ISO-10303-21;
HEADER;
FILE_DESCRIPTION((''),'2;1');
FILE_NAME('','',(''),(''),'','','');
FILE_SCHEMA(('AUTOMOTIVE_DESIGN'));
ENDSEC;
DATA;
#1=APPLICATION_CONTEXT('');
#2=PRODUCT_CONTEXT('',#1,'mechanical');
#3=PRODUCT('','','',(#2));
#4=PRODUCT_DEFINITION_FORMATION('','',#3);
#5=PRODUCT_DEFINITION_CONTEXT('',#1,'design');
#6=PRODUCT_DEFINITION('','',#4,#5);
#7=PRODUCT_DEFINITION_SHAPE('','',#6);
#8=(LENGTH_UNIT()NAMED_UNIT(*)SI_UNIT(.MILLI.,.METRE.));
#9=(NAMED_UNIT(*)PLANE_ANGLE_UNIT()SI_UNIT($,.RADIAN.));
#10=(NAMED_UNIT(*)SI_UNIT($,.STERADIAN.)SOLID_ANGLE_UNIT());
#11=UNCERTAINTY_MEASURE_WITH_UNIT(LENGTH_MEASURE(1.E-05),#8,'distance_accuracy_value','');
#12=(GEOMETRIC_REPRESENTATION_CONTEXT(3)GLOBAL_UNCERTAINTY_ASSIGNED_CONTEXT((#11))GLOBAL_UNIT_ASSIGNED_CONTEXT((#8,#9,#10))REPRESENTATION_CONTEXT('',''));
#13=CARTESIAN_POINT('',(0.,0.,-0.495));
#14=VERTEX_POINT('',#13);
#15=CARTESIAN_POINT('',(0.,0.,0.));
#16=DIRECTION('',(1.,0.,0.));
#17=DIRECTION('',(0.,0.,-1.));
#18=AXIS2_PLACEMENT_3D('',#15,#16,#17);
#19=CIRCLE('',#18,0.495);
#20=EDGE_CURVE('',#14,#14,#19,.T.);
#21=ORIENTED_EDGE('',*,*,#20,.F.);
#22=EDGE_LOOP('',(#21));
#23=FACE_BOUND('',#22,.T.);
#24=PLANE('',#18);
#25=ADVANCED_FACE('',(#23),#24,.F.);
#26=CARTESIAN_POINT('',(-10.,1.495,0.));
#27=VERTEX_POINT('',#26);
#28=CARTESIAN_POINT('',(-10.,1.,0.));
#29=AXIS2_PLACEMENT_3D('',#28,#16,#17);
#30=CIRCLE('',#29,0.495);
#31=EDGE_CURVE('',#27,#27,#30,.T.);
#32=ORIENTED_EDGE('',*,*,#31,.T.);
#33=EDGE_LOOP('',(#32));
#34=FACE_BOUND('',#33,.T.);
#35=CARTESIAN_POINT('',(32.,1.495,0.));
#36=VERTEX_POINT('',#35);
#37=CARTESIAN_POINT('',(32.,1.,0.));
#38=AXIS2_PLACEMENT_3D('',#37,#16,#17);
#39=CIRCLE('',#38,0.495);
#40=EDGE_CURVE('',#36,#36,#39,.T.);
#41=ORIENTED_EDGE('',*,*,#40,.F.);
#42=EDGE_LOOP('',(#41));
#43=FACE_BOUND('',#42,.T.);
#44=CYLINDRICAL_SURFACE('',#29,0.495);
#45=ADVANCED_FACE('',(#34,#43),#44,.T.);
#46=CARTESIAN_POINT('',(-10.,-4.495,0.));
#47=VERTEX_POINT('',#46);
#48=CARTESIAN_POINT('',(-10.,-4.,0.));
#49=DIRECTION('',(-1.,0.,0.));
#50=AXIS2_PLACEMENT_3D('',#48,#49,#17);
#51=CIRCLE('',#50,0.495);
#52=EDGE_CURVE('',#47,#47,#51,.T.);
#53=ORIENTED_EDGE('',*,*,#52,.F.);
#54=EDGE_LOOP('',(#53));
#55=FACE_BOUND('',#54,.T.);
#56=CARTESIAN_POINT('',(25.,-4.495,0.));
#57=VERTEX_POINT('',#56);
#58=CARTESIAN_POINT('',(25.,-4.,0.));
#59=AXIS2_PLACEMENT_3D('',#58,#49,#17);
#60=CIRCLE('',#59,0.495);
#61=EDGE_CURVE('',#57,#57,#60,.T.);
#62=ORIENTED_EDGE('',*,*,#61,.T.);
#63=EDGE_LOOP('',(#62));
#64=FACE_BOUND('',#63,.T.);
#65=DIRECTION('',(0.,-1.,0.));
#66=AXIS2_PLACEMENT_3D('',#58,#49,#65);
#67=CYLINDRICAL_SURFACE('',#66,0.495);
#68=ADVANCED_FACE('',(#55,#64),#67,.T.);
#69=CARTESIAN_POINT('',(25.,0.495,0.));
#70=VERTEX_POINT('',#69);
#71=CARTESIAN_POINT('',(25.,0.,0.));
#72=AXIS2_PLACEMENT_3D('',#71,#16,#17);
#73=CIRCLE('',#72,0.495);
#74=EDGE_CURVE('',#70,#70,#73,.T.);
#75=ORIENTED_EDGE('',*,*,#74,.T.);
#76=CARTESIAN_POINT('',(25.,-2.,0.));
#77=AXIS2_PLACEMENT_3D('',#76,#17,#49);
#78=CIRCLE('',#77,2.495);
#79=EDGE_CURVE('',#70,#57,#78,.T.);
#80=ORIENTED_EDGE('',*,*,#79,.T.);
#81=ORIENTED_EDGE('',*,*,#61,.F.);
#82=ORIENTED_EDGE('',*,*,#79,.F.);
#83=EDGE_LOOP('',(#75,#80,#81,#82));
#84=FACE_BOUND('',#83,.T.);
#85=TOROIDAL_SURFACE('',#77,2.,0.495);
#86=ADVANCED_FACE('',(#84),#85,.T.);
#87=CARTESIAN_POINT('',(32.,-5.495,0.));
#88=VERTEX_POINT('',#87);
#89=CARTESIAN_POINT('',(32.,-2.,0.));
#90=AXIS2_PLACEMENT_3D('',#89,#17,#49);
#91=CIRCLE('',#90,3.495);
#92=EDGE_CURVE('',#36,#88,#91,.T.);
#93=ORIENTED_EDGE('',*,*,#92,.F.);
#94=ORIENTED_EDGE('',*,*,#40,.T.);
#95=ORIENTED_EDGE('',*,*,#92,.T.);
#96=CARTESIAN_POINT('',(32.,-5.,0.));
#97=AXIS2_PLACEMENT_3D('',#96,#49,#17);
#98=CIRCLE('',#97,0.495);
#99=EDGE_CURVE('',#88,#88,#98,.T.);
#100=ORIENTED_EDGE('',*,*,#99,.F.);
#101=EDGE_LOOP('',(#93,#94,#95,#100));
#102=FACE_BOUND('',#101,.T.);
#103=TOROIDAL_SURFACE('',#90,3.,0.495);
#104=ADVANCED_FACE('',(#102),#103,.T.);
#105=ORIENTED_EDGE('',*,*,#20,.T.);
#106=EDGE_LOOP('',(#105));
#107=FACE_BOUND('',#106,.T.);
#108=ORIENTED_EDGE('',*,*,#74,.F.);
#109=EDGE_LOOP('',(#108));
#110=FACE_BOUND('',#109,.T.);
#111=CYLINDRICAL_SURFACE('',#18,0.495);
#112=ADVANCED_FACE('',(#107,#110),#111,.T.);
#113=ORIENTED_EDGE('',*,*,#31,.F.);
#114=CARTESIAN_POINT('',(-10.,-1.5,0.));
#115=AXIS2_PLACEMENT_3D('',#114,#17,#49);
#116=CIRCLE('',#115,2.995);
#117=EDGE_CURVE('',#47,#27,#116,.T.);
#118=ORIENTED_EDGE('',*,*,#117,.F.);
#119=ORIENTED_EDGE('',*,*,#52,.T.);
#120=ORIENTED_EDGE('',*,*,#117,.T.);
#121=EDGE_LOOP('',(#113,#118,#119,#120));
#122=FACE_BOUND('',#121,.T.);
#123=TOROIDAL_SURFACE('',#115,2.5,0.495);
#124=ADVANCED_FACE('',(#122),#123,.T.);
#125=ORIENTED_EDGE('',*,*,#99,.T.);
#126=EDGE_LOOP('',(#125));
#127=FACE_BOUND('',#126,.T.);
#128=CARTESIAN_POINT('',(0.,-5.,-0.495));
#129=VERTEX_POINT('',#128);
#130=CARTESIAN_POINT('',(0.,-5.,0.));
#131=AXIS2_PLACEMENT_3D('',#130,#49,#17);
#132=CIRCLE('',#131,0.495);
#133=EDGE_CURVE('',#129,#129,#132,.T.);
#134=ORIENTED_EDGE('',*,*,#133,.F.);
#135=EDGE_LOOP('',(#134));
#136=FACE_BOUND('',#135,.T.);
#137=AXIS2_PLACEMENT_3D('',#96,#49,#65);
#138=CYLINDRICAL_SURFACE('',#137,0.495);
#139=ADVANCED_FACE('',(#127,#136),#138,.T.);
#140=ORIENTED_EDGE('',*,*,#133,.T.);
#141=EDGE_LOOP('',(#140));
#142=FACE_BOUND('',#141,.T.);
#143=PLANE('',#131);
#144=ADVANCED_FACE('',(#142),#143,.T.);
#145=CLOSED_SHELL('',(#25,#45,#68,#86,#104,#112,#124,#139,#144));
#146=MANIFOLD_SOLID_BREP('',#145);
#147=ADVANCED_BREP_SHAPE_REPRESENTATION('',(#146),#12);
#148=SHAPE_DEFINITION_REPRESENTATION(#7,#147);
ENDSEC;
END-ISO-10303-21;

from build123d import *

# Parameters (mm, degrees)
SKETCH3_R = 0.495


with BuildPart() as part:
    # Sweep1: sweep along a path in Sketch1
    with BuildLine(Plane.XY) as sweep1_path:
        Line((0, 0), (25, 0))
        ThreePointArc((25, 0), (27, -2), (25, -4))
        Line((25, -4), (-10, -4))
        ThreePointArc((-10, -4), (-12.5, -1.5), (-10, 1))
        Line((-10, 1), (32, 1))
        ThreePointArc((32, 1), (35, -2), (32, -5))
        Line((32, -5), (0, -5))
    # Sketch3 → Sweep1 (sweep)
    with BuildSketch(Plane(origin=(0, 0, 0), x_dir=(0, 0, -1), z_dir=(1, 0, 0))):
        Circle(SKETCH3_R)
    sweep(path=sweep1_path.line)


solid = part.part
